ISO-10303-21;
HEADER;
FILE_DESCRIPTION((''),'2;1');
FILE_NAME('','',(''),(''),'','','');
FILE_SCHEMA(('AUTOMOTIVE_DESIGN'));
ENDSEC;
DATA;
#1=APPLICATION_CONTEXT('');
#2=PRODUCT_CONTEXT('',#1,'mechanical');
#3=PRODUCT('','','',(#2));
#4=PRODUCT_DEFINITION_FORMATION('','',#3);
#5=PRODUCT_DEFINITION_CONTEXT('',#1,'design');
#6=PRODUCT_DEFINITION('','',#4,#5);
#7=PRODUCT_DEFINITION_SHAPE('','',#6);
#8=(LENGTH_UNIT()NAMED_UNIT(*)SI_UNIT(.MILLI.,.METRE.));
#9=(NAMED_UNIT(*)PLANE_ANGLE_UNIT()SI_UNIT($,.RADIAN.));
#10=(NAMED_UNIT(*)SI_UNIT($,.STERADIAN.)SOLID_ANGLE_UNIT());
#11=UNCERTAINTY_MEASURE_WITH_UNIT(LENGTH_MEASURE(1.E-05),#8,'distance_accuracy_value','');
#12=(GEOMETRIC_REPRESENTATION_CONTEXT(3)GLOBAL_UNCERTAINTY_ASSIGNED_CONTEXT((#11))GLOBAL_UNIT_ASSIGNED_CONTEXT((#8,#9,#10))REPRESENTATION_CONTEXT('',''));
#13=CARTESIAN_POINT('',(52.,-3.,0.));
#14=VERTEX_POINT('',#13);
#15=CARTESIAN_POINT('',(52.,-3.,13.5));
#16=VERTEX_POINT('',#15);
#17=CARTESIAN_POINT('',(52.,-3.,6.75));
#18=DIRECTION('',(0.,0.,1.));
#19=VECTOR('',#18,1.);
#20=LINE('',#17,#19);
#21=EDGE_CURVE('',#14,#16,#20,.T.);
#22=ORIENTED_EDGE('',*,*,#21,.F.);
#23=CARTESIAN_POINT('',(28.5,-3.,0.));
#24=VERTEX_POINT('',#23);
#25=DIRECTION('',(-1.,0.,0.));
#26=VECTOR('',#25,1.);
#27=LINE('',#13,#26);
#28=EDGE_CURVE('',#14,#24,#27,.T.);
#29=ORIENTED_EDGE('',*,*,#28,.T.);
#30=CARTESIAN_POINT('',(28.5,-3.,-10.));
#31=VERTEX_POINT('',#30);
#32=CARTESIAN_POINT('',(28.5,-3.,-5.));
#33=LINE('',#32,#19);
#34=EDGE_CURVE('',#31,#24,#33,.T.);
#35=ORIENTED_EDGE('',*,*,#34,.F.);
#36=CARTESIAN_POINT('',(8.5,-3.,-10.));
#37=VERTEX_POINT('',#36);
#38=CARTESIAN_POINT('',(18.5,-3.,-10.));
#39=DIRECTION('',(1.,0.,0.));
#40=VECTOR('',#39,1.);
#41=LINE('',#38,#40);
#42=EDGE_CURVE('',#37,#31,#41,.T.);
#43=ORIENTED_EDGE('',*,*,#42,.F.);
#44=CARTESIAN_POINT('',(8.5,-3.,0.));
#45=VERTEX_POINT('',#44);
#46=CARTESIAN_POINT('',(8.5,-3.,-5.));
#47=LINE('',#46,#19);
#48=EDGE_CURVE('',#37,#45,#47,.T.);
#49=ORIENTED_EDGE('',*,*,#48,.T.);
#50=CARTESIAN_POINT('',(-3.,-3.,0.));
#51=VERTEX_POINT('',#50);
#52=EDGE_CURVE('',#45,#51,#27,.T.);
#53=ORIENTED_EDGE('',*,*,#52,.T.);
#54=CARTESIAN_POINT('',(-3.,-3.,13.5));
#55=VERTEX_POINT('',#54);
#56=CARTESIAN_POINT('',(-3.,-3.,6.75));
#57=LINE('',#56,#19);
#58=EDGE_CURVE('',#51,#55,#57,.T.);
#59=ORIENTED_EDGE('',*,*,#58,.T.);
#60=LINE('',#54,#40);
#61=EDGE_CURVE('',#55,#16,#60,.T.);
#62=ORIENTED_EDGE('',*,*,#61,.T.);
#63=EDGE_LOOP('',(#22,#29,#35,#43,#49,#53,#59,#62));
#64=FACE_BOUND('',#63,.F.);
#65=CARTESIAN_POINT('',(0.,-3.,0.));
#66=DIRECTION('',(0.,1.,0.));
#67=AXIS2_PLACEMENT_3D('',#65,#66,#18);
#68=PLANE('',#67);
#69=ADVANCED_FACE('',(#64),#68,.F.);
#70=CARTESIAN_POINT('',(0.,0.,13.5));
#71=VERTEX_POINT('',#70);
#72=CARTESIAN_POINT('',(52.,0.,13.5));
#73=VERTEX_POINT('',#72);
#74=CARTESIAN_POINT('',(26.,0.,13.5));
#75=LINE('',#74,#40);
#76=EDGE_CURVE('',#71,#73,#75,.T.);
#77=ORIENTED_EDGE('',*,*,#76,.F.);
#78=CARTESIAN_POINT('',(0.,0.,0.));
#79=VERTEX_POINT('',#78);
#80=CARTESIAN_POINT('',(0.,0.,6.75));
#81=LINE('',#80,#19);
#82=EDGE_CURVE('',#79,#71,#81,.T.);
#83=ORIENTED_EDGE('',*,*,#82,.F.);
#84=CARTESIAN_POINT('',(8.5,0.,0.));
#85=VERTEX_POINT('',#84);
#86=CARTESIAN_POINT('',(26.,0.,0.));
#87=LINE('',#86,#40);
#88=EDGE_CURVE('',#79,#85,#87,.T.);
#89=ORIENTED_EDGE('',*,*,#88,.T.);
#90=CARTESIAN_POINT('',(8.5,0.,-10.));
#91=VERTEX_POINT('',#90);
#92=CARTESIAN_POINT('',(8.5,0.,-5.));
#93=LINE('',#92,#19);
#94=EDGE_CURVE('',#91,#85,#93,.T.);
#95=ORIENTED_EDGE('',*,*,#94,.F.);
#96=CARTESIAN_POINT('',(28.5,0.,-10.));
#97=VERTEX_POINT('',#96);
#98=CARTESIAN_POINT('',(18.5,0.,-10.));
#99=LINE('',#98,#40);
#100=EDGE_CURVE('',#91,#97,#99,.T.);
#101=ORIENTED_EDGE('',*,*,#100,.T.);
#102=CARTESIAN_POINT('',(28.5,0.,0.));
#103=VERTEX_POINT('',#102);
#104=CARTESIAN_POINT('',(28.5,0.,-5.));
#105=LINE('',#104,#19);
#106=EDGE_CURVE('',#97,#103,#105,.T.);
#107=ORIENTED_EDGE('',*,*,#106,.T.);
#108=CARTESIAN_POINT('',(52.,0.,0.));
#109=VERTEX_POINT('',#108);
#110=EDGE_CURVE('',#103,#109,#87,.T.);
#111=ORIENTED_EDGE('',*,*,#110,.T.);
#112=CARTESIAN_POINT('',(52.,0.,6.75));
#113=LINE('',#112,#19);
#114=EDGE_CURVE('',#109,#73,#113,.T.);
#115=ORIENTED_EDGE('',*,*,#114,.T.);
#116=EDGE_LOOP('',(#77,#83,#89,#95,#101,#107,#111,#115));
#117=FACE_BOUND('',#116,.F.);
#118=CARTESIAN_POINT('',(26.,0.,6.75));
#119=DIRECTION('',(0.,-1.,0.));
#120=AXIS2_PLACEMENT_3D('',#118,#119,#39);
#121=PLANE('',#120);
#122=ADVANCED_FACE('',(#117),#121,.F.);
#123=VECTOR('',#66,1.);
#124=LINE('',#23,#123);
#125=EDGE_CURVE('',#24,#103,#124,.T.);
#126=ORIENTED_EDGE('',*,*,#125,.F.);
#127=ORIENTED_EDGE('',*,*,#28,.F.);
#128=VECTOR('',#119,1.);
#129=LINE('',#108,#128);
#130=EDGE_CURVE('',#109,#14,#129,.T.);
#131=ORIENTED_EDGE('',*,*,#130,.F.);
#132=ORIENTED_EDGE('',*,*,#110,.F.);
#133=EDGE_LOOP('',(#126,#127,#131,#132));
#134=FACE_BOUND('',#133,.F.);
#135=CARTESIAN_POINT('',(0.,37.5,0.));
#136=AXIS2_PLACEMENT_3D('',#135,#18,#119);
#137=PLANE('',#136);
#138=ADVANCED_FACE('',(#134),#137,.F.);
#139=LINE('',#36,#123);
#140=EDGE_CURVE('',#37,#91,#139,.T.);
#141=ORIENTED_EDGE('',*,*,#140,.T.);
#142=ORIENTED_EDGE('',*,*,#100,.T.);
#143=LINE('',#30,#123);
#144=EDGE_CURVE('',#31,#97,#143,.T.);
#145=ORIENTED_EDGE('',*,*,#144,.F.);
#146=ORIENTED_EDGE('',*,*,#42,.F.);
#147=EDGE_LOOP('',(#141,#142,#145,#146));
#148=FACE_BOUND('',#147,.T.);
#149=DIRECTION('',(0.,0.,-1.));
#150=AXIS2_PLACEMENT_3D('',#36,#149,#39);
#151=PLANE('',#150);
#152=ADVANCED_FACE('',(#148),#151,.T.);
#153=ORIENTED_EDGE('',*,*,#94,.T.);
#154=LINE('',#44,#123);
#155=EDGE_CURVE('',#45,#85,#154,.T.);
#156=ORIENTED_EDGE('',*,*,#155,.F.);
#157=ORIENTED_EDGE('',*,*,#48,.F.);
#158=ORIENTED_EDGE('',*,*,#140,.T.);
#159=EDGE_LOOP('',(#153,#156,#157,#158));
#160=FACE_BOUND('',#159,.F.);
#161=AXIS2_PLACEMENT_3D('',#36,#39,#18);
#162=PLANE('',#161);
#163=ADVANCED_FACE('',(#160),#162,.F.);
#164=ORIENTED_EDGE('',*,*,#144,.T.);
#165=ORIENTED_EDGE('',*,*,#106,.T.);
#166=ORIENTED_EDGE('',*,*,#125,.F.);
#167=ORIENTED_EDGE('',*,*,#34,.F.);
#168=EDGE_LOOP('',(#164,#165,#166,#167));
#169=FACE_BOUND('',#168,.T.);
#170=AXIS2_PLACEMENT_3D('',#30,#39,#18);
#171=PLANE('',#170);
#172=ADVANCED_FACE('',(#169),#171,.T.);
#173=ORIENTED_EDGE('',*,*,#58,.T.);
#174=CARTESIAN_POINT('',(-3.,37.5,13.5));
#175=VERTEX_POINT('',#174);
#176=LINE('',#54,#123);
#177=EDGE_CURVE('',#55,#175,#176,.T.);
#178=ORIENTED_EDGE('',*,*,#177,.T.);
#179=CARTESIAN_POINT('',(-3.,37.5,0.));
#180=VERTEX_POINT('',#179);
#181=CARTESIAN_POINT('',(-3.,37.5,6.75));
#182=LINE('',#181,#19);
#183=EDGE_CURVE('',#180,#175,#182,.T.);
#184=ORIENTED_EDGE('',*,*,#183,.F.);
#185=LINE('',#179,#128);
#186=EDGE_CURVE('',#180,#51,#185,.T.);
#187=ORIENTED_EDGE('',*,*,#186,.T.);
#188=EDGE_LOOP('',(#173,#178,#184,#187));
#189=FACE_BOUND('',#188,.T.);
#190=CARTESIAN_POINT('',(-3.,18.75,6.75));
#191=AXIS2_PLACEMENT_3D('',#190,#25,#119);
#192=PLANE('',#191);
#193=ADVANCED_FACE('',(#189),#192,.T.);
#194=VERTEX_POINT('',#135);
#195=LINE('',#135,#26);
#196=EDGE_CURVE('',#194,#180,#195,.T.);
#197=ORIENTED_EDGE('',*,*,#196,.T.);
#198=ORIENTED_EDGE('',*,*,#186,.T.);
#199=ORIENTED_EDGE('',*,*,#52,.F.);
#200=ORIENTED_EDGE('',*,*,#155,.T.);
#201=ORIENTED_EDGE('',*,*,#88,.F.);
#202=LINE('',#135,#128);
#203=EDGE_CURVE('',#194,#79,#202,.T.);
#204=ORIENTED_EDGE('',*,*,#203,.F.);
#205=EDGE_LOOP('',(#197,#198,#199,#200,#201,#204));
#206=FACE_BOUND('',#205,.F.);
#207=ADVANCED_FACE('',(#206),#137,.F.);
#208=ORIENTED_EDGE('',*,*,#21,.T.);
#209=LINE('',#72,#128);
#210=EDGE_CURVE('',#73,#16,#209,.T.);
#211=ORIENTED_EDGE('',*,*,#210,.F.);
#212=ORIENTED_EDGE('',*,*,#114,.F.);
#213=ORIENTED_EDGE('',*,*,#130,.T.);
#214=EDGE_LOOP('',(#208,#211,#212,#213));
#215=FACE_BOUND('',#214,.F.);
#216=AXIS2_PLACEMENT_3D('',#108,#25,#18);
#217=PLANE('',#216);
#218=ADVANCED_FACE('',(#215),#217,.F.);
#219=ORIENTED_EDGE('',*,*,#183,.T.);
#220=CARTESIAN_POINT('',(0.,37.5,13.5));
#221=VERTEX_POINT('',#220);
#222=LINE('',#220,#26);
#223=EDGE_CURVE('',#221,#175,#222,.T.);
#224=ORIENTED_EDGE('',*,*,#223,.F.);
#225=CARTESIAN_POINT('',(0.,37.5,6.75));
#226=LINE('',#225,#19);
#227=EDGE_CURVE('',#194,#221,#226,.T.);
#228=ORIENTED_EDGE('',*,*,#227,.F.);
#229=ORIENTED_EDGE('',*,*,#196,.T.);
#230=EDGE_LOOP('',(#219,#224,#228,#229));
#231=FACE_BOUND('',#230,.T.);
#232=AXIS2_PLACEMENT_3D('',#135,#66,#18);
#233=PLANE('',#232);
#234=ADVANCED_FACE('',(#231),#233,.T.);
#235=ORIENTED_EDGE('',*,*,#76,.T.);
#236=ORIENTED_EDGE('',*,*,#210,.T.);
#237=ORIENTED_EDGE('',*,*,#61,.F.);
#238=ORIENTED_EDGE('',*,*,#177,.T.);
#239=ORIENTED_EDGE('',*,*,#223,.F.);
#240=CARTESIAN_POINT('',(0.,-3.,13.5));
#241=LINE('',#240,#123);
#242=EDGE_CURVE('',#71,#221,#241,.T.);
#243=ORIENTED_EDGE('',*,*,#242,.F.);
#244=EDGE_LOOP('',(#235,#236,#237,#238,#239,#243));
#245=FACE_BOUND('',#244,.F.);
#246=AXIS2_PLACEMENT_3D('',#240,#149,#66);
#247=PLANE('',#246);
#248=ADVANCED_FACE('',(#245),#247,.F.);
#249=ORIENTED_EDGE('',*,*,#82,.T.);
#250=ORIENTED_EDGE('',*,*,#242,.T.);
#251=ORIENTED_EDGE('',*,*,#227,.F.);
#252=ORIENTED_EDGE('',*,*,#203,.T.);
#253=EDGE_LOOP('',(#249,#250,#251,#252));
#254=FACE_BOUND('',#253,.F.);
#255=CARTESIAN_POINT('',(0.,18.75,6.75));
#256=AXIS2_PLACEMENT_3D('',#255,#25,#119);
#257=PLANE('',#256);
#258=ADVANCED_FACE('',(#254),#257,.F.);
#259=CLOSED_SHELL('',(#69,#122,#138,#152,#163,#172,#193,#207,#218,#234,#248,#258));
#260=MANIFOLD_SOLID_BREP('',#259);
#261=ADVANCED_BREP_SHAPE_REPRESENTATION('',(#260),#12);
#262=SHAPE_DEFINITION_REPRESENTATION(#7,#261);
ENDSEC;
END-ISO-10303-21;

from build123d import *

# Parameters (mm, degrees)
F0_W     = 52
F0_H     = 13.5
F1_DEPTH = 3
F2_W     = 37.5
F2_H     = 13.5
F2_W_2   = 3
F3_DEPTH = 3
F4_W     = 20
F4_H     = 10
F5_DEPTH = 3


with BuildPart() as f1:
    # F0 (on Front) → F1 (new body)
    with BuildSketch(Plane.XZ):
        with Locations((26, 6.75)):
            Rectangle(F0_W, F0_H)
    extrude(amount=F1_DEPTH)

    # F2 (on face) → F3 (join)
    with BuildSketch(Plane(origin=(0, 0, 0), x_dir=(0, -1, 0), z_dir=(-1, 0, 0))):
        with Locations((-18.75, 6.75)):
            Rectangle(F2_W, F2_H)
        with Locations((1.5, 6.75)):
            Rectangle(F2_W_2, F2_H)
    extrude(amount=F3_DEPTH)

    # F4 (on face) → F5 (join)
    with BuildSketch(Plane.XZ.offset(3)):
        with Locations((18.5, -5)):
            Rectangle(F4_W, F4_H)
    extrude(amount=-F5_DEPTH)


solid = f1.part
